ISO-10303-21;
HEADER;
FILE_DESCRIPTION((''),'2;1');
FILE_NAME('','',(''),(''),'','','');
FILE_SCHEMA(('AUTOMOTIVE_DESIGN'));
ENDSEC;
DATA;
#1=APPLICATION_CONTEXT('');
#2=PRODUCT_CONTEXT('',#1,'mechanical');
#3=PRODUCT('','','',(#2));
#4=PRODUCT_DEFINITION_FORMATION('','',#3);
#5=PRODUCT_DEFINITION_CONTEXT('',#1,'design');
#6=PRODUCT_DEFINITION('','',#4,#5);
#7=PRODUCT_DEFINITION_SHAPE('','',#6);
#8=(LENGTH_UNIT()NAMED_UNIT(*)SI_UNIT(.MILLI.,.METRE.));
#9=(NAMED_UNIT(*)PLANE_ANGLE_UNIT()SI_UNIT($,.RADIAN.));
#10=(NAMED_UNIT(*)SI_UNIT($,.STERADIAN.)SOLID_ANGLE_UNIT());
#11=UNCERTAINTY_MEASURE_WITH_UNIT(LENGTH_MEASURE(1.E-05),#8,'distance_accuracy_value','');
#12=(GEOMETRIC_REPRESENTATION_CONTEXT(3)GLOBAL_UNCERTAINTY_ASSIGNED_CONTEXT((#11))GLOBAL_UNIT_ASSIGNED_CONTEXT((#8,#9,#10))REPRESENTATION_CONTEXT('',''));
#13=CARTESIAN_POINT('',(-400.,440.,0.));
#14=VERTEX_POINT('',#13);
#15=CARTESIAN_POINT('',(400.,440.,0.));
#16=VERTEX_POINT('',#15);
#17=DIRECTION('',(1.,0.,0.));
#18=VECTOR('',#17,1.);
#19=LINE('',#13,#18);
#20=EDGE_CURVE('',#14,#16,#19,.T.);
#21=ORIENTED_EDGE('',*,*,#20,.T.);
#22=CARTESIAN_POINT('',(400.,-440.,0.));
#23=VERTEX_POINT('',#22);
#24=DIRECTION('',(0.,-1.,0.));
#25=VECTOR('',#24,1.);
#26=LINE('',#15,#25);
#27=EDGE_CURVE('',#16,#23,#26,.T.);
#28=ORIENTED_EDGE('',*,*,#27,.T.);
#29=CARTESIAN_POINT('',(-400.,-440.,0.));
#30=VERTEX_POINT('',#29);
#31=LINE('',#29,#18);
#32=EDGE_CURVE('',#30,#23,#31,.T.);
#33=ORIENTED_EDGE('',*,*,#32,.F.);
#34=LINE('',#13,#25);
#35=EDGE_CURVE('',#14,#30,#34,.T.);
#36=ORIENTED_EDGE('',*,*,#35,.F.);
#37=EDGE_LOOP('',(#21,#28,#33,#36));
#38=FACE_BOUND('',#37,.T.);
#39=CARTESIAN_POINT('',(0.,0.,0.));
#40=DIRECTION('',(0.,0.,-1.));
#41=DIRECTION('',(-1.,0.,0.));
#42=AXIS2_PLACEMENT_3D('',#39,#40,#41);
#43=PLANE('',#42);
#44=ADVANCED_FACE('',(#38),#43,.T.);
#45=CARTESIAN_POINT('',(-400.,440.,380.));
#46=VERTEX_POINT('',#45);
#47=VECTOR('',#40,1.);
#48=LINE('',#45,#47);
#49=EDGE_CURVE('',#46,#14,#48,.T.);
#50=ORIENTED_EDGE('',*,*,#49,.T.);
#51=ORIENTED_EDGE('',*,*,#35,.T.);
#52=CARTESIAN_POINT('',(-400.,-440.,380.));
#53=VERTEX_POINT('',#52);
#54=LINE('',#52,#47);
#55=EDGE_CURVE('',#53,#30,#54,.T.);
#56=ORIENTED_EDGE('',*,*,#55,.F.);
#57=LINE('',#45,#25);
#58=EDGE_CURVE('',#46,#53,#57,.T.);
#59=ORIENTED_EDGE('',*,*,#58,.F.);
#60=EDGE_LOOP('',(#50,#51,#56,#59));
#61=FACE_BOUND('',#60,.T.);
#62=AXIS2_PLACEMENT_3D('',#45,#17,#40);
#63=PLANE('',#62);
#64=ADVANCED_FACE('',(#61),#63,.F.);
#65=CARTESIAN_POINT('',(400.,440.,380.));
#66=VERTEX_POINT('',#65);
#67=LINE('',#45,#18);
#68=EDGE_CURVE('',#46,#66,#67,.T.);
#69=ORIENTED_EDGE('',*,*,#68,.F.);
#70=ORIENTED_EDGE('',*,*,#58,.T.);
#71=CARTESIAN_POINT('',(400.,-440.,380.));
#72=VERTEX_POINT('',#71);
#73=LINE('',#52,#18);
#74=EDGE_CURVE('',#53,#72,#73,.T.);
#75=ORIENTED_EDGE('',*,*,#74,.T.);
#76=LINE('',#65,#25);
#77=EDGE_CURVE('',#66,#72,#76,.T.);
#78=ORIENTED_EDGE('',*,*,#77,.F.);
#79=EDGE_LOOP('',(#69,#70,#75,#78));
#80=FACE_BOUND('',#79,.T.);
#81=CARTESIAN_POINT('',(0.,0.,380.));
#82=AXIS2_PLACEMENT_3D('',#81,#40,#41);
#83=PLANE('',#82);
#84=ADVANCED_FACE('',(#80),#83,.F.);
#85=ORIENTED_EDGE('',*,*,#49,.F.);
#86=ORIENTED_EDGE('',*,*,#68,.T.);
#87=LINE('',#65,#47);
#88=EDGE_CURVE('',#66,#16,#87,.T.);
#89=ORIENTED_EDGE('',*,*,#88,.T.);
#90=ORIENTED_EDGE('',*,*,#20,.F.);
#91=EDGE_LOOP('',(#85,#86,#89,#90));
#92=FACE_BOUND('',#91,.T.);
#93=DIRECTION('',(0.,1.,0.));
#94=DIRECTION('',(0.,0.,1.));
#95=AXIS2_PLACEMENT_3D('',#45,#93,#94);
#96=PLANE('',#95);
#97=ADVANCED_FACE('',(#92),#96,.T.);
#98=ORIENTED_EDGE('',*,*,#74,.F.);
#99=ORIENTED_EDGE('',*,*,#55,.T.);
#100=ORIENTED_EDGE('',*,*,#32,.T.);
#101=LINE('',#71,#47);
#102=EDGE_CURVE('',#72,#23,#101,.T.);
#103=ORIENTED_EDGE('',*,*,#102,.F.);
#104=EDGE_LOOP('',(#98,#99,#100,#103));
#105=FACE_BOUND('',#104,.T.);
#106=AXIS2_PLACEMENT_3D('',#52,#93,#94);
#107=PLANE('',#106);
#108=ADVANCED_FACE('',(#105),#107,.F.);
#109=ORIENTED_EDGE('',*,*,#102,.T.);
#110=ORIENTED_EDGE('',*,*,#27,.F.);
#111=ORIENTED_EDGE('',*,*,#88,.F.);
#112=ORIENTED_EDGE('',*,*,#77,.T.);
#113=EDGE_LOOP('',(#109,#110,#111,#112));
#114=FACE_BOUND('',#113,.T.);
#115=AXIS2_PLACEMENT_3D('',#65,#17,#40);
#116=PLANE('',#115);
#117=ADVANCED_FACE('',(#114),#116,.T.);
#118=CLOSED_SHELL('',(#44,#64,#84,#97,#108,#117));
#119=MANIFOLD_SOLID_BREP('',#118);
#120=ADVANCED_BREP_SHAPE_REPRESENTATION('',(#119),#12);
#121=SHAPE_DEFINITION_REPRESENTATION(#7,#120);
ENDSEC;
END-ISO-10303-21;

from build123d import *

# Parameters (mm, degrees)
SKETCH_1_W      = 800
SKETCH_1_H      = 880
EXTRUDE_1_DEPTH = 380


with BuildPart() as part:
    # Эскиз1 → Бобышка-Вытянуть1 (new body)
    with BuildSketch(Plane.XY):
        Rectangle(SKETCH_1_W, SKETCH_1_H)
    extrude(amount=EXTRUDE_1_DEPTH)


solid = part.part
